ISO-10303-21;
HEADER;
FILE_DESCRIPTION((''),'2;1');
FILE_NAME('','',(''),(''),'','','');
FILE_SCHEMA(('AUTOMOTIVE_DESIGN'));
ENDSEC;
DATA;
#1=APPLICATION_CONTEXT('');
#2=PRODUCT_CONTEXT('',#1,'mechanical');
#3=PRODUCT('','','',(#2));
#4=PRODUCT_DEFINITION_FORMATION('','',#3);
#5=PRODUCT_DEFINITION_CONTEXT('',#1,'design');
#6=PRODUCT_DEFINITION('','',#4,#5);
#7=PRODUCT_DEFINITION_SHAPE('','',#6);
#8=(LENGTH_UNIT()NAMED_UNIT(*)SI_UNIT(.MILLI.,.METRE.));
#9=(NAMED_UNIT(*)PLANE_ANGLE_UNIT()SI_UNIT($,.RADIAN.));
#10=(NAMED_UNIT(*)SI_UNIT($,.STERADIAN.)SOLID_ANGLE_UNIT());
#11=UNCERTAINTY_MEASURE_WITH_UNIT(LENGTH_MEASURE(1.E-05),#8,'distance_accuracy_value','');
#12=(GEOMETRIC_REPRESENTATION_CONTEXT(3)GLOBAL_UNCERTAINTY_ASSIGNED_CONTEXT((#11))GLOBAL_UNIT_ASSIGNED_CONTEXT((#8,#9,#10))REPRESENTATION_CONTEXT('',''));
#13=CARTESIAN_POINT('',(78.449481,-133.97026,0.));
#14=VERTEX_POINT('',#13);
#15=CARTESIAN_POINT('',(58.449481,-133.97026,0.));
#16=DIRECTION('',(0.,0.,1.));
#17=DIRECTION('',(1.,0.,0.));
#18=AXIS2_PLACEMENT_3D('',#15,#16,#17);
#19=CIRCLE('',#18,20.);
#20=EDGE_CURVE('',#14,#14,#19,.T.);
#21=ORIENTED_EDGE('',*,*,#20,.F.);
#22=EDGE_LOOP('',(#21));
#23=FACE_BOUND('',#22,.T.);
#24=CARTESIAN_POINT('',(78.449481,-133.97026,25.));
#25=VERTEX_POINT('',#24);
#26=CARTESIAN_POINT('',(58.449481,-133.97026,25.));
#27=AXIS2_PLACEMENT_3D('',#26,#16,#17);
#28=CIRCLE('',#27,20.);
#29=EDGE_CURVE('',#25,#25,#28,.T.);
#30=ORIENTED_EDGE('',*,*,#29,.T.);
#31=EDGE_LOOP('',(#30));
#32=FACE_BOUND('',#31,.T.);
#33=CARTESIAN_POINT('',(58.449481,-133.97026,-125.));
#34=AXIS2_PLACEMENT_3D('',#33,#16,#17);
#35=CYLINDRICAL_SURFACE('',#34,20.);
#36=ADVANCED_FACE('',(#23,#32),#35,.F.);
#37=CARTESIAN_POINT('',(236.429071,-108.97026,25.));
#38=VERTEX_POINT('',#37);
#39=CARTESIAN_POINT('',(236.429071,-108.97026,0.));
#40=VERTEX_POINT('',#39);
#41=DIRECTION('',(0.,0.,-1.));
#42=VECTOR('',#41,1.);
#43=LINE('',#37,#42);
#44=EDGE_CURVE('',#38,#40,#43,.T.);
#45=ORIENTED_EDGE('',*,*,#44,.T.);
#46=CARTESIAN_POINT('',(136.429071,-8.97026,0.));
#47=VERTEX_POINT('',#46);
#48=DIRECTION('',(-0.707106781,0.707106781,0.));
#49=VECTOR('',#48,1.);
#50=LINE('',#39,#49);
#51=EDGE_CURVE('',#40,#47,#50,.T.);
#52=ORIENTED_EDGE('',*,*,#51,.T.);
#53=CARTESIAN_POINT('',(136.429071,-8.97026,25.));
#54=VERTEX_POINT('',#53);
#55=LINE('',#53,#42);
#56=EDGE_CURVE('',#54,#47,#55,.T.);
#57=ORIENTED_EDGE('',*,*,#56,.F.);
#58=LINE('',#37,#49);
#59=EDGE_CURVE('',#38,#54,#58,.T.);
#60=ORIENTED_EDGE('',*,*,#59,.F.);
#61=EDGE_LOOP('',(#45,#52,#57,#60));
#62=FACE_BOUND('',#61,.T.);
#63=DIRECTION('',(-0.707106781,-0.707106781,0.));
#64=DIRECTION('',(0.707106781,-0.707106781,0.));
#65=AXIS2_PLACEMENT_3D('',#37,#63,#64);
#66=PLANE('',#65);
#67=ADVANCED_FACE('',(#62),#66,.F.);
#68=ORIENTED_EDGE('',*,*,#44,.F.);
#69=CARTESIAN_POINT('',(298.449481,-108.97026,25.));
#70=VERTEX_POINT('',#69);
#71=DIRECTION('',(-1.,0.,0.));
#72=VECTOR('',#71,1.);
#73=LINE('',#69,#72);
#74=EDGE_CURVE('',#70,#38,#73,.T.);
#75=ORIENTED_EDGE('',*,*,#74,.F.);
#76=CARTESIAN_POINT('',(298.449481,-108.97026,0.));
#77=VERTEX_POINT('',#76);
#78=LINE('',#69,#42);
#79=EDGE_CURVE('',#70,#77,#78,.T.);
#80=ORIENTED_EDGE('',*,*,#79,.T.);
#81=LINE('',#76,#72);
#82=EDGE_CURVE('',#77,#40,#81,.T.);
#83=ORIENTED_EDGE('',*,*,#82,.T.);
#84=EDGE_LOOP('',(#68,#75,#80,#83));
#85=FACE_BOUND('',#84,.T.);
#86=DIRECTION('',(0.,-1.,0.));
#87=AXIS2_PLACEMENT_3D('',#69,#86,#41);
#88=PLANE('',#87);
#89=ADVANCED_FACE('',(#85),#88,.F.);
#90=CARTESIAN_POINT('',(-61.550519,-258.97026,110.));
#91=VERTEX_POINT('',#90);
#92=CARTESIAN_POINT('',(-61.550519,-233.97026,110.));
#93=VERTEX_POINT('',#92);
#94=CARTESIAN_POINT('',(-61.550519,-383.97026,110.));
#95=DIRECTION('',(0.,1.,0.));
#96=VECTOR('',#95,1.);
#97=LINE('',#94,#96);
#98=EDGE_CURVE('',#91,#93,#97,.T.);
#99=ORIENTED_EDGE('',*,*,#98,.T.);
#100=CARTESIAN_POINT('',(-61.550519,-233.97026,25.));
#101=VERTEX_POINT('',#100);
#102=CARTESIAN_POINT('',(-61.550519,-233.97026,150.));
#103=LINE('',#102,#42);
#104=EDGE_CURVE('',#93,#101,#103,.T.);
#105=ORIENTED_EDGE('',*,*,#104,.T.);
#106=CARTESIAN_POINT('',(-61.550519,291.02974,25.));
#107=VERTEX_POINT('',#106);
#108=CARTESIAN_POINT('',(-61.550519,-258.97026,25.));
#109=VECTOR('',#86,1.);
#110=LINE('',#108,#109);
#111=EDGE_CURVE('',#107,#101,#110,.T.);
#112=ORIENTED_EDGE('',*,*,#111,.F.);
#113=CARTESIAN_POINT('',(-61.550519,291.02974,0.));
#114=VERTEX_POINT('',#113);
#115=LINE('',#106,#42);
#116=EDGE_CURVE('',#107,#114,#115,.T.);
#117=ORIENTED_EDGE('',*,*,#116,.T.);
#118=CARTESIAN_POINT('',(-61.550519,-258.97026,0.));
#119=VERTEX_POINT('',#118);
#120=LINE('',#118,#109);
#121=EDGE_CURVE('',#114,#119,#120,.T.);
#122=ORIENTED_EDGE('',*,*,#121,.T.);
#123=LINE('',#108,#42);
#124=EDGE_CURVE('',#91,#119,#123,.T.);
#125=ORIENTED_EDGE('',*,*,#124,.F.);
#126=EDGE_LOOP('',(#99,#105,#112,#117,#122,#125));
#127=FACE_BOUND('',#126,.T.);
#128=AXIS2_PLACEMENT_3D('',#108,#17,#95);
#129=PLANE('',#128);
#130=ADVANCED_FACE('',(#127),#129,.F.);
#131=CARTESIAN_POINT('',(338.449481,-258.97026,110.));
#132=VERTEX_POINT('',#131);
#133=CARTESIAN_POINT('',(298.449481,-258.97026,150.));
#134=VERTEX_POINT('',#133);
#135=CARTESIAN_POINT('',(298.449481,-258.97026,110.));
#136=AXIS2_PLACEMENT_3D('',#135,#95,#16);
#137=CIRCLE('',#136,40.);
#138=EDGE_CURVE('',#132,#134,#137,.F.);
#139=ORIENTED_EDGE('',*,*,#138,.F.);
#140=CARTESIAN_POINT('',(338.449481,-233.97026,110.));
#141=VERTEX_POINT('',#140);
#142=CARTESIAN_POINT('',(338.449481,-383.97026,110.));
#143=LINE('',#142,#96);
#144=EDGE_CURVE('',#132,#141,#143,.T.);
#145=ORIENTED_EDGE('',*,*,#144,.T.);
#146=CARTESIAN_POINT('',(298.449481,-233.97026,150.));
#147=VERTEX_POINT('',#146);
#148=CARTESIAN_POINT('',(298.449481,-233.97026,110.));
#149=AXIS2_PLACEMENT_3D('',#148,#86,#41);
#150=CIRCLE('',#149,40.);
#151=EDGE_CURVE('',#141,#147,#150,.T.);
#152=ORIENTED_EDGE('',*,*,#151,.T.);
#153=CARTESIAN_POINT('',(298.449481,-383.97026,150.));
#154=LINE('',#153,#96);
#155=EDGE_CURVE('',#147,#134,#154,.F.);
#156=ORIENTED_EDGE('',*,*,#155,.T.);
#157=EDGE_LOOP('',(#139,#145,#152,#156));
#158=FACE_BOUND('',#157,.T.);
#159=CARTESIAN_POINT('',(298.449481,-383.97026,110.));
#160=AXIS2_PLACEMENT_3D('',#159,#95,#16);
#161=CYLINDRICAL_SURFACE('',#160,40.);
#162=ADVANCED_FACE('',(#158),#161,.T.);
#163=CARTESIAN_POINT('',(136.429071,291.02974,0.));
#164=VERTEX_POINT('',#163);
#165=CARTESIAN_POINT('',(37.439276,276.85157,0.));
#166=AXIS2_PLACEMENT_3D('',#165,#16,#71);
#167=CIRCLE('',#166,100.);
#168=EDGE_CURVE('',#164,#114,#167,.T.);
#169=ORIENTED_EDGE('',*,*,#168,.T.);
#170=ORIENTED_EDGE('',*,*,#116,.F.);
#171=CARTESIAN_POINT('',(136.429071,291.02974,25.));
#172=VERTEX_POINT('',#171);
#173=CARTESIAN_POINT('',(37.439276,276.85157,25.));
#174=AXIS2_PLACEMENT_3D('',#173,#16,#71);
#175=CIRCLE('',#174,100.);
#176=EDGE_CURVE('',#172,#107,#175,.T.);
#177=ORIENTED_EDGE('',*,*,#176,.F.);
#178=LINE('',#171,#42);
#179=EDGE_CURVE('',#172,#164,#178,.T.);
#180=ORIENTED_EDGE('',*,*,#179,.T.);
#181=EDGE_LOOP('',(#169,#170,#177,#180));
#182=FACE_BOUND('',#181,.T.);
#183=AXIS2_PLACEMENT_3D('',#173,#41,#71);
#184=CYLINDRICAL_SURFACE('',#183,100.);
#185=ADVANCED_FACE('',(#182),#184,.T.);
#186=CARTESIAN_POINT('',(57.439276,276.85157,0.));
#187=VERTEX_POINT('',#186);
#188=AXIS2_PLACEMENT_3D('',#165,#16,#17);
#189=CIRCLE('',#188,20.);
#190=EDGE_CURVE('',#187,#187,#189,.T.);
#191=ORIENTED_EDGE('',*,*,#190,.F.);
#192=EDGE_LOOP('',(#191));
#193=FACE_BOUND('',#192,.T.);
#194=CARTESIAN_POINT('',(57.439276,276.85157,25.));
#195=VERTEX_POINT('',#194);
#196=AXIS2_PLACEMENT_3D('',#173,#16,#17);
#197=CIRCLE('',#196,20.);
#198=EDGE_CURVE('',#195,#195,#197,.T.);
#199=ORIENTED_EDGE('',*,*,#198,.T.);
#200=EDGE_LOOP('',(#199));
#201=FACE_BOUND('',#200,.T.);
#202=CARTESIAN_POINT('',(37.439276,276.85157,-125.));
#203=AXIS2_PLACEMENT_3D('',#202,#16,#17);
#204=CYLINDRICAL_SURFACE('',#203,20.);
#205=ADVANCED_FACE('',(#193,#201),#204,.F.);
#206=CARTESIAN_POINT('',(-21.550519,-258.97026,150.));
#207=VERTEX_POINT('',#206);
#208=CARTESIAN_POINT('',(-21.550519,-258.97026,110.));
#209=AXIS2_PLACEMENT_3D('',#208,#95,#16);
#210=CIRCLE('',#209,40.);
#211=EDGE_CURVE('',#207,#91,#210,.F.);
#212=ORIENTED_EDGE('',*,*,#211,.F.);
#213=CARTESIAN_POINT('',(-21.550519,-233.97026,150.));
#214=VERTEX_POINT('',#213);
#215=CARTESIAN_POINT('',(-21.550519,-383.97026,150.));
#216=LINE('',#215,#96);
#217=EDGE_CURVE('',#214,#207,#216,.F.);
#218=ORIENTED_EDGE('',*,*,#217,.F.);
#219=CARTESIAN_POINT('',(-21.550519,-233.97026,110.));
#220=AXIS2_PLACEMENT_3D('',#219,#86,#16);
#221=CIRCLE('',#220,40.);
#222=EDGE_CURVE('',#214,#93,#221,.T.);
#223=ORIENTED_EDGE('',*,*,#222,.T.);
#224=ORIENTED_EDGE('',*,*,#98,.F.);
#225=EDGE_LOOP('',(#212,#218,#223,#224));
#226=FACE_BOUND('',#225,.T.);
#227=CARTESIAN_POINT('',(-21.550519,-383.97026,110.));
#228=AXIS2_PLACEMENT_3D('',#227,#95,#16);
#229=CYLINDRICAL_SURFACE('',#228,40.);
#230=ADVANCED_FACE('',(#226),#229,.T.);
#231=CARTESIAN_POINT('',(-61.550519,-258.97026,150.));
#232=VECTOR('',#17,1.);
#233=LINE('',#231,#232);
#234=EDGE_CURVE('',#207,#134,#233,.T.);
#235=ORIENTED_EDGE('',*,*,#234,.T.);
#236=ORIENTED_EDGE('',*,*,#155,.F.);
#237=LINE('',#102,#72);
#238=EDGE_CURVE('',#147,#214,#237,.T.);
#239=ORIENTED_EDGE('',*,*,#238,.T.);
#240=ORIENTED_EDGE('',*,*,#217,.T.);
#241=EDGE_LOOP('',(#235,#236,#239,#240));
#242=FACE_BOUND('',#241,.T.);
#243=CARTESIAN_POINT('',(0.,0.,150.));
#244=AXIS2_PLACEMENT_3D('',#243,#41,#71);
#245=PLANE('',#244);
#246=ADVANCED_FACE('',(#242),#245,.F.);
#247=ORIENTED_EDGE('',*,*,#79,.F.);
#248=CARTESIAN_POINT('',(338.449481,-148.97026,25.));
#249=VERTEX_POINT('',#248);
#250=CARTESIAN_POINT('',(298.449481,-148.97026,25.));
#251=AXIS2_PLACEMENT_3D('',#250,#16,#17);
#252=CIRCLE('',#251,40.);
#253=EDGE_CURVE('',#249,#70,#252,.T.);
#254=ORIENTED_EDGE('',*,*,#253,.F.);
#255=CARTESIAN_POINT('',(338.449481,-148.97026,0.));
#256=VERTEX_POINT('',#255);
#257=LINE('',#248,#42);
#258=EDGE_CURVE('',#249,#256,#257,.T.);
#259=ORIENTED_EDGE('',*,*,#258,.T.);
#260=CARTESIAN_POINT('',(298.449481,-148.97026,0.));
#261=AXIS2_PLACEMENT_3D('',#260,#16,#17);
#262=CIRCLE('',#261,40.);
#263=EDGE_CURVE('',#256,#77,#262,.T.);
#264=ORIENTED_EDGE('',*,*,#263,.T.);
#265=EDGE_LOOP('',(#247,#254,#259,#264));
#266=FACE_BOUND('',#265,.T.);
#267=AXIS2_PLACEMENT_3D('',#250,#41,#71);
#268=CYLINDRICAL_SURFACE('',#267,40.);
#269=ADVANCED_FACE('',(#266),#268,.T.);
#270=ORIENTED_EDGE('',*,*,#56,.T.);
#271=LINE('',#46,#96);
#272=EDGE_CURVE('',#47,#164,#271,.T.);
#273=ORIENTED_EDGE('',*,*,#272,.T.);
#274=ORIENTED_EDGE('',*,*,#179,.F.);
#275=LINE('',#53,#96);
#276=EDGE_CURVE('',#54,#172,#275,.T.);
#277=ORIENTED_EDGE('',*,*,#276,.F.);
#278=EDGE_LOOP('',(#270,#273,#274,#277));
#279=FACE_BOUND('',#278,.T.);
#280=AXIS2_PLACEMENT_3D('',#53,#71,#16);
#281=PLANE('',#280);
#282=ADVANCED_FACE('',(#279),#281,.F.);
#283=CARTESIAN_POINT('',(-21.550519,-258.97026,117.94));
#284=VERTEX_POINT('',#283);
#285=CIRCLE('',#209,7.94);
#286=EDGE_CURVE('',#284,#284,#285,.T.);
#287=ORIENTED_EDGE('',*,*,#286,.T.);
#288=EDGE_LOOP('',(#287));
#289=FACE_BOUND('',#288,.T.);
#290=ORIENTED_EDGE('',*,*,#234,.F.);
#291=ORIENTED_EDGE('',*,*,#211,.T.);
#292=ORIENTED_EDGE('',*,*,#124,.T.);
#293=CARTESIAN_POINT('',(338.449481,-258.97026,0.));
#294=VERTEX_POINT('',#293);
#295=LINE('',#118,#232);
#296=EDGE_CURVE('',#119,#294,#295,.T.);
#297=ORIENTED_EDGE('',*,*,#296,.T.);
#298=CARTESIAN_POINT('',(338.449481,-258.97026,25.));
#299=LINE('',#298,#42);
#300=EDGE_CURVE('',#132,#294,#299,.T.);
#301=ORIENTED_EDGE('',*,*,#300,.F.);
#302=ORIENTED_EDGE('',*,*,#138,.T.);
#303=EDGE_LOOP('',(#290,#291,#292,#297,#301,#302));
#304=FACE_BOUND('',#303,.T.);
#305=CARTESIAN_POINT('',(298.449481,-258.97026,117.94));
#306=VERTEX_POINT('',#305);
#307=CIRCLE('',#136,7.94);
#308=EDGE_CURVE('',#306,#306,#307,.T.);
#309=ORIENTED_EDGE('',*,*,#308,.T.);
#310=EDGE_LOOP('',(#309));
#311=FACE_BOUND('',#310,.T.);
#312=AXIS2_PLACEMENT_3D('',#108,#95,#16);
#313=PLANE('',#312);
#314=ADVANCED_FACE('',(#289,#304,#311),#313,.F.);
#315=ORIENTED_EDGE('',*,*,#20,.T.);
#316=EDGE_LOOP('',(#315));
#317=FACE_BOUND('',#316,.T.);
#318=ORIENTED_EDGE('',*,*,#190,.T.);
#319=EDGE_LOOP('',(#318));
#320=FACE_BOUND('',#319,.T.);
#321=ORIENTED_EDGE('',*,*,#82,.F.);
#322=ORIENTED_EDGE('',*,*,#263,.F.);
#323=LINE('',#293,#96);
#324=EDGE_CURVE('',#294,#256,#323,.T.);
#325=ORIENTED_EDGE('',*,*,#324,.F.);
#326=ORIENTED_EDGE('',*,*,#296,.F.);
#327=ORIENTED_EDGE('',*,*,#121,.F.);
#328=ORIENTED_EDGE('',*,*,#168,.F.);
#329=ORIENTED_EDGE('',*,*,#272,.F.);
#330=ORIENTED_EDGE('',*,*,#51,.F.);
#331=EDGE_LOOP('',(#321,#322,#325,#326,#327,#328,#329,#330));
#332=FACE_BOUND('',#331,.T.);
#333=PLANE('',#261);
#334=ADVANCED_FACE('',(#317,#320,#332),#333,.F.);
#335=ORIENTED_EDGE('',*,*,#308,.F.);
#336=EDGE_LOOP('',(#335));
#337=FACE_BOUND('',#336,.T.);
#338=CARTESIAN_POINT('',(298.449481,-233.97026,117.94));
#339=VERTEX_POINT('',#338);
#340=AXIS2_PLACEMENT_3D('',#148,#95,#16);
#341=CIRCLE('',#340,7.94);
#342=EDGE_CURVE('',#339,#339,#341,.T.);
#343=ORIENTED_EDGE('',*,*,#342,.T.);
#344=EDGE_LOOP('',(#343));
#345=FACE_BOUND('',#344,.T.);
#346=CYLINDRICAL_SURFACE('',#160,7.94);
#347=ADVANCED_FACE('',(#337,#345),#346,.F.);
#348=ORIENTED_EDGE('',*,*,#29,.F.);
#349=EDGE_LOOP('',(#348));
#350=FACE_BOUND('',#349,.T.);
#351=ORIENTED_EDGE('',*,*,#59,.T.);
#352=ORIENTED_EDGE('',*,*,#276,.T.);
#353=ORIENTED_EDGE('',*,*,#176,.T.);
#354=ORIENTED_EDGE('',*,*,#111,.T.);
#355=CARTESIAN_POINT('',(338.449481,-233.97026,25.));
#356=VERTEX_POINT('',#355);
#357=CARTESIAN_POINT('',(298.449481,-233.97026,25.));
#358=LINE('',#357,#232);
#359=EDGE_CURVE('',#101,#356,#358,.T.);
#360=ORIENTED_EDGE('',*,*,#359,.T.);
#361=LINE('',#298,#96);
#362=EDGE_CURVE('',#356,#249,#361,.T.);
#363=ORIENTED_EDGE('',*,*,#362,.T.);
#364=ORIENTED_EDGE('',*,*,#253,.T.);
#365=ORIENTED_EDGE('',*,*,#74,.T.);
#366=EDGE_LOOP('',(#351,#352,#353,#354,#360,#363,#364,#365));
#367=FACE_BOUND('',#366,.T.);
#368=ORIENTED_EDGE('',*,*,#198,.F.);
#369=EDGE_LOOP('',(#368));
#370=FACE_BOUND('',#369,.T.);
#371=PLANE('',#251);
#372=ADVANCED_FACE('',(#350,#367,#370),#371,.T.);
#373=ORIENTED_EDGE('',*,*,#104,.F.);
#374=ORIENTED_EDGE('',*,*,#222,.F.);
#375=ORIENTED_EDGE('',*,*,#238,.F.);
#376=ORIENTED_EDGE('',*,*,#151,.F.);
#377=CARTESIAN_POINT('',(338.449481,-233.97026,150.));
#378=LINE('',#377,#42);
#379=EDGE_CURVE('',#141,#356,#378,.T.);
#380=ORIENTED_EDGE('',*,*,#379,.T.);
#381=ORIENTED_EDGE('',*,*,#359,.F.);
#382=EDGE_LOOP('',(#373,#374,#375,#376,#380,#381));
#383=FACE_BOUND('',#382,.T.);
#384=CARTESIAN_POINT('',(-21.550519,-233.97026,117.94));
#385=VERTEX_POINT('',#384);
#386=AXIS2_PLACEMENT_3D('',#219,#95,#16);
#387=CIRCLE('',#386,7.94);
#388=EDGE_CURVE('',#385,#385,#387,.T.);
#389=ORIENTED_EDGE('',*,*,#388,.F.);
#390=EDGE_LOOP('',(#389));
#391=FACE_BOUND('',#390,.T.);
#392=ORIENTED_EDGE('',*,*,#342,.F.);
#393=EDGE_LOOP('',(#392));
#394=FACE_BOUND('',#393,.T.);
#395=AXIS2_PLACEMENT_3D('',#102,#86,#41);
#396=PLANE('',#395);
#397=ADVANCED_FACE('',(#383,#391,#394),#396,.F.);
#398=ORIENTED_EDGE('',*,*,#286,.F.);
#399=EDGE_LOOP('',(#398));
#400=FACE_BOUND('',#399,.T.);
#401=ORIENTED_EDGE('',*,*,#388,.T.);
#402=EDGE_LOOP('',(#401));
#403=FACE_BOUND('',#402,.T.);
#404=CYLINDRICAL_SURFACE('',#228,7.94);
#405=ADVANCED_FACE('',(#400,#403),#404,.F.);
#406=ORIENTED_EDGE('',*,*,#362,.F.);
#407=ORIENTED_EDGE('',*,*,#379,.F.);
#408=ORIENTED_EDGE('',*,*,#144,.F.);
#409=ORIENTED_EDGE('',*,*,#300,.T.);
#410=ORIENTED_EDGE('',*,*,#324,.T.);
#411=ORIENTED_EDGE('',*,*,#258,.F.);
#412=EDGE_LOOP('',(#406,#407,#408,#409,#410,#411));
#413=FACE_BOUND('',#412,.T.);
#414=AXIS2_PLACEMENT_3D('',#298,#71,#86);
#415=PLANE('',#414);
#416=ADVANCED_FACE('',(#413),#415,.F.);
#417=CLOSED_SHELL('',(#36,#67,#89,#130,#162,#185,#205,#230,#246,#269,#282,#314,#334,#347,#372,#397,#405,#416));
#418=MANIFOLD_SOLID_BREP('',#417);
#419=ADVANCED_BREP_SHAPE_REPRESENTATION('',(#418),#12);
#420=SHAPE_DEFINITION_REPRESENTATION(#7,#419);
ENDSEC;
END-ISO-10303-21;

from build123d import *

# Parameters (mm, degrees)
BOSS_EXTRUDE1_DEPTH = 25
SKETCH2_W           = 400
SKETCH2_H           = 25
BOSS_EXTRUDE2_DEPTH = 150
CUT_EXTRUDE1_DEPTH  = 150
SKETCH4_R           = 7.94
CUT_EXTRUDE2_DEPTH  = 150
SKETCH5_R           = 20
CUT_EXTRUDE3_DEPTH  = 150


with BuildPart() as part:
    # Sketch1 → Boss-Extrude1 (new body)
    with BuildSketch(Plane.XY):
        with BuildLine():
            Line((-61.550518812, -258.970259643), (338.449481188, -258.970259643))
            Line((338.449481188, -258.970259643), (338.449481188, -148.970259643))
            ThreePointArc((338.449481188, -148.970259643), (326.733752435, -120.685988396), (298.449481188, -108.970259643))
            Line((298.449481188, -108.970259643), (236.429070899, -108.970259643))
            Line((236.429070899, -108.970259643), (136.429070899, -8.970259643))
            Line((136.429070899, -8.970259643), (136.429070899, 291.029740357))
            ThreePointArc((136.429070899, 291.029740357), (37.439276043, 376.851570008), (-61.550518812, 291.029740357))
            Line((-61.550518812, 291.029740357), (-61.550518812, -258.970259643))
        make_face()
    extrude(amount=BOSS_EXTRUDE1_DEPTH)

    # Sketch2 → Boss-Extrude2 (add)
    with BuildSketch(Plane.XY):
        with Locations((138.449481188, -246.470259643)):
            Rectangle(SKETCH2_W, SKETCH2_H)
    extrude(amount=BOSS_EXTRUDE2_DEPTH)

    # Sketch3 → Cut-Extrude1 (cut)
    with BuildSketch(Plane(origin=(0, -233.970259643, 0), x_dir=(1, 0, 0), z_dir=(0, 1, 0))):
        with BuildLine():
            Line((338.449481188, -110), (338.449481188, -150))
            Line((338.449481188, -150), (298.449481188, -150))
            ThreePointArc((298.449481188, -150), (326.733752435, -138.284271247), (338.449481188, -110))
        make_face()
        with BuildLine():
            Line((-61.550518812, -110), (-61.550518812, -150))
            Line((-61.550518812, -150), (-21.550518812, -150))
            ThreePointArc((-21.550518812, -150), (-49.83479006, -138.284271247), (-61.550518812, -110))
        make_face()
    extrude(amount=-CUT_EXTRUDE1_DEPTH, mode=Mode.SUBTRACT)

    # Sketch4 → Cut-Extrude2 (cut)
    with BuildSketch(Plane(origin=(0, -233.970259643, 0), x_dir=(1, 0, 0), z_dir=(0, 1, 0))):
        with Locations(Location((-21.550518812, -110, 0), (0, 0, 270))):
            Circle(SKETCH4_R)
        with Locations(Location((298.449481188, -110, 0), (0, 0, 270))):
            Circle(SKETCH4_R)
    extrude(amount=-CUT_EXTRUDE2_DEPTH, mode=Mode.SUBTRACT)

    # Sketch5 → Cut-Extrude3 (cut)
    with BuildSketch(Plane.XY.offset(25)):
        with Locations((37.439276043, 276.851570008)):
            Circle(SKETCH5_R)
        with Locations((58.449481188, -133.970259643)):
            Circle(SKETCH5_R)
    extrude(amount=-CUT_EXTRUDE3_DEPTH, mode=Mode.SUBTRACT)


solid = part.part
